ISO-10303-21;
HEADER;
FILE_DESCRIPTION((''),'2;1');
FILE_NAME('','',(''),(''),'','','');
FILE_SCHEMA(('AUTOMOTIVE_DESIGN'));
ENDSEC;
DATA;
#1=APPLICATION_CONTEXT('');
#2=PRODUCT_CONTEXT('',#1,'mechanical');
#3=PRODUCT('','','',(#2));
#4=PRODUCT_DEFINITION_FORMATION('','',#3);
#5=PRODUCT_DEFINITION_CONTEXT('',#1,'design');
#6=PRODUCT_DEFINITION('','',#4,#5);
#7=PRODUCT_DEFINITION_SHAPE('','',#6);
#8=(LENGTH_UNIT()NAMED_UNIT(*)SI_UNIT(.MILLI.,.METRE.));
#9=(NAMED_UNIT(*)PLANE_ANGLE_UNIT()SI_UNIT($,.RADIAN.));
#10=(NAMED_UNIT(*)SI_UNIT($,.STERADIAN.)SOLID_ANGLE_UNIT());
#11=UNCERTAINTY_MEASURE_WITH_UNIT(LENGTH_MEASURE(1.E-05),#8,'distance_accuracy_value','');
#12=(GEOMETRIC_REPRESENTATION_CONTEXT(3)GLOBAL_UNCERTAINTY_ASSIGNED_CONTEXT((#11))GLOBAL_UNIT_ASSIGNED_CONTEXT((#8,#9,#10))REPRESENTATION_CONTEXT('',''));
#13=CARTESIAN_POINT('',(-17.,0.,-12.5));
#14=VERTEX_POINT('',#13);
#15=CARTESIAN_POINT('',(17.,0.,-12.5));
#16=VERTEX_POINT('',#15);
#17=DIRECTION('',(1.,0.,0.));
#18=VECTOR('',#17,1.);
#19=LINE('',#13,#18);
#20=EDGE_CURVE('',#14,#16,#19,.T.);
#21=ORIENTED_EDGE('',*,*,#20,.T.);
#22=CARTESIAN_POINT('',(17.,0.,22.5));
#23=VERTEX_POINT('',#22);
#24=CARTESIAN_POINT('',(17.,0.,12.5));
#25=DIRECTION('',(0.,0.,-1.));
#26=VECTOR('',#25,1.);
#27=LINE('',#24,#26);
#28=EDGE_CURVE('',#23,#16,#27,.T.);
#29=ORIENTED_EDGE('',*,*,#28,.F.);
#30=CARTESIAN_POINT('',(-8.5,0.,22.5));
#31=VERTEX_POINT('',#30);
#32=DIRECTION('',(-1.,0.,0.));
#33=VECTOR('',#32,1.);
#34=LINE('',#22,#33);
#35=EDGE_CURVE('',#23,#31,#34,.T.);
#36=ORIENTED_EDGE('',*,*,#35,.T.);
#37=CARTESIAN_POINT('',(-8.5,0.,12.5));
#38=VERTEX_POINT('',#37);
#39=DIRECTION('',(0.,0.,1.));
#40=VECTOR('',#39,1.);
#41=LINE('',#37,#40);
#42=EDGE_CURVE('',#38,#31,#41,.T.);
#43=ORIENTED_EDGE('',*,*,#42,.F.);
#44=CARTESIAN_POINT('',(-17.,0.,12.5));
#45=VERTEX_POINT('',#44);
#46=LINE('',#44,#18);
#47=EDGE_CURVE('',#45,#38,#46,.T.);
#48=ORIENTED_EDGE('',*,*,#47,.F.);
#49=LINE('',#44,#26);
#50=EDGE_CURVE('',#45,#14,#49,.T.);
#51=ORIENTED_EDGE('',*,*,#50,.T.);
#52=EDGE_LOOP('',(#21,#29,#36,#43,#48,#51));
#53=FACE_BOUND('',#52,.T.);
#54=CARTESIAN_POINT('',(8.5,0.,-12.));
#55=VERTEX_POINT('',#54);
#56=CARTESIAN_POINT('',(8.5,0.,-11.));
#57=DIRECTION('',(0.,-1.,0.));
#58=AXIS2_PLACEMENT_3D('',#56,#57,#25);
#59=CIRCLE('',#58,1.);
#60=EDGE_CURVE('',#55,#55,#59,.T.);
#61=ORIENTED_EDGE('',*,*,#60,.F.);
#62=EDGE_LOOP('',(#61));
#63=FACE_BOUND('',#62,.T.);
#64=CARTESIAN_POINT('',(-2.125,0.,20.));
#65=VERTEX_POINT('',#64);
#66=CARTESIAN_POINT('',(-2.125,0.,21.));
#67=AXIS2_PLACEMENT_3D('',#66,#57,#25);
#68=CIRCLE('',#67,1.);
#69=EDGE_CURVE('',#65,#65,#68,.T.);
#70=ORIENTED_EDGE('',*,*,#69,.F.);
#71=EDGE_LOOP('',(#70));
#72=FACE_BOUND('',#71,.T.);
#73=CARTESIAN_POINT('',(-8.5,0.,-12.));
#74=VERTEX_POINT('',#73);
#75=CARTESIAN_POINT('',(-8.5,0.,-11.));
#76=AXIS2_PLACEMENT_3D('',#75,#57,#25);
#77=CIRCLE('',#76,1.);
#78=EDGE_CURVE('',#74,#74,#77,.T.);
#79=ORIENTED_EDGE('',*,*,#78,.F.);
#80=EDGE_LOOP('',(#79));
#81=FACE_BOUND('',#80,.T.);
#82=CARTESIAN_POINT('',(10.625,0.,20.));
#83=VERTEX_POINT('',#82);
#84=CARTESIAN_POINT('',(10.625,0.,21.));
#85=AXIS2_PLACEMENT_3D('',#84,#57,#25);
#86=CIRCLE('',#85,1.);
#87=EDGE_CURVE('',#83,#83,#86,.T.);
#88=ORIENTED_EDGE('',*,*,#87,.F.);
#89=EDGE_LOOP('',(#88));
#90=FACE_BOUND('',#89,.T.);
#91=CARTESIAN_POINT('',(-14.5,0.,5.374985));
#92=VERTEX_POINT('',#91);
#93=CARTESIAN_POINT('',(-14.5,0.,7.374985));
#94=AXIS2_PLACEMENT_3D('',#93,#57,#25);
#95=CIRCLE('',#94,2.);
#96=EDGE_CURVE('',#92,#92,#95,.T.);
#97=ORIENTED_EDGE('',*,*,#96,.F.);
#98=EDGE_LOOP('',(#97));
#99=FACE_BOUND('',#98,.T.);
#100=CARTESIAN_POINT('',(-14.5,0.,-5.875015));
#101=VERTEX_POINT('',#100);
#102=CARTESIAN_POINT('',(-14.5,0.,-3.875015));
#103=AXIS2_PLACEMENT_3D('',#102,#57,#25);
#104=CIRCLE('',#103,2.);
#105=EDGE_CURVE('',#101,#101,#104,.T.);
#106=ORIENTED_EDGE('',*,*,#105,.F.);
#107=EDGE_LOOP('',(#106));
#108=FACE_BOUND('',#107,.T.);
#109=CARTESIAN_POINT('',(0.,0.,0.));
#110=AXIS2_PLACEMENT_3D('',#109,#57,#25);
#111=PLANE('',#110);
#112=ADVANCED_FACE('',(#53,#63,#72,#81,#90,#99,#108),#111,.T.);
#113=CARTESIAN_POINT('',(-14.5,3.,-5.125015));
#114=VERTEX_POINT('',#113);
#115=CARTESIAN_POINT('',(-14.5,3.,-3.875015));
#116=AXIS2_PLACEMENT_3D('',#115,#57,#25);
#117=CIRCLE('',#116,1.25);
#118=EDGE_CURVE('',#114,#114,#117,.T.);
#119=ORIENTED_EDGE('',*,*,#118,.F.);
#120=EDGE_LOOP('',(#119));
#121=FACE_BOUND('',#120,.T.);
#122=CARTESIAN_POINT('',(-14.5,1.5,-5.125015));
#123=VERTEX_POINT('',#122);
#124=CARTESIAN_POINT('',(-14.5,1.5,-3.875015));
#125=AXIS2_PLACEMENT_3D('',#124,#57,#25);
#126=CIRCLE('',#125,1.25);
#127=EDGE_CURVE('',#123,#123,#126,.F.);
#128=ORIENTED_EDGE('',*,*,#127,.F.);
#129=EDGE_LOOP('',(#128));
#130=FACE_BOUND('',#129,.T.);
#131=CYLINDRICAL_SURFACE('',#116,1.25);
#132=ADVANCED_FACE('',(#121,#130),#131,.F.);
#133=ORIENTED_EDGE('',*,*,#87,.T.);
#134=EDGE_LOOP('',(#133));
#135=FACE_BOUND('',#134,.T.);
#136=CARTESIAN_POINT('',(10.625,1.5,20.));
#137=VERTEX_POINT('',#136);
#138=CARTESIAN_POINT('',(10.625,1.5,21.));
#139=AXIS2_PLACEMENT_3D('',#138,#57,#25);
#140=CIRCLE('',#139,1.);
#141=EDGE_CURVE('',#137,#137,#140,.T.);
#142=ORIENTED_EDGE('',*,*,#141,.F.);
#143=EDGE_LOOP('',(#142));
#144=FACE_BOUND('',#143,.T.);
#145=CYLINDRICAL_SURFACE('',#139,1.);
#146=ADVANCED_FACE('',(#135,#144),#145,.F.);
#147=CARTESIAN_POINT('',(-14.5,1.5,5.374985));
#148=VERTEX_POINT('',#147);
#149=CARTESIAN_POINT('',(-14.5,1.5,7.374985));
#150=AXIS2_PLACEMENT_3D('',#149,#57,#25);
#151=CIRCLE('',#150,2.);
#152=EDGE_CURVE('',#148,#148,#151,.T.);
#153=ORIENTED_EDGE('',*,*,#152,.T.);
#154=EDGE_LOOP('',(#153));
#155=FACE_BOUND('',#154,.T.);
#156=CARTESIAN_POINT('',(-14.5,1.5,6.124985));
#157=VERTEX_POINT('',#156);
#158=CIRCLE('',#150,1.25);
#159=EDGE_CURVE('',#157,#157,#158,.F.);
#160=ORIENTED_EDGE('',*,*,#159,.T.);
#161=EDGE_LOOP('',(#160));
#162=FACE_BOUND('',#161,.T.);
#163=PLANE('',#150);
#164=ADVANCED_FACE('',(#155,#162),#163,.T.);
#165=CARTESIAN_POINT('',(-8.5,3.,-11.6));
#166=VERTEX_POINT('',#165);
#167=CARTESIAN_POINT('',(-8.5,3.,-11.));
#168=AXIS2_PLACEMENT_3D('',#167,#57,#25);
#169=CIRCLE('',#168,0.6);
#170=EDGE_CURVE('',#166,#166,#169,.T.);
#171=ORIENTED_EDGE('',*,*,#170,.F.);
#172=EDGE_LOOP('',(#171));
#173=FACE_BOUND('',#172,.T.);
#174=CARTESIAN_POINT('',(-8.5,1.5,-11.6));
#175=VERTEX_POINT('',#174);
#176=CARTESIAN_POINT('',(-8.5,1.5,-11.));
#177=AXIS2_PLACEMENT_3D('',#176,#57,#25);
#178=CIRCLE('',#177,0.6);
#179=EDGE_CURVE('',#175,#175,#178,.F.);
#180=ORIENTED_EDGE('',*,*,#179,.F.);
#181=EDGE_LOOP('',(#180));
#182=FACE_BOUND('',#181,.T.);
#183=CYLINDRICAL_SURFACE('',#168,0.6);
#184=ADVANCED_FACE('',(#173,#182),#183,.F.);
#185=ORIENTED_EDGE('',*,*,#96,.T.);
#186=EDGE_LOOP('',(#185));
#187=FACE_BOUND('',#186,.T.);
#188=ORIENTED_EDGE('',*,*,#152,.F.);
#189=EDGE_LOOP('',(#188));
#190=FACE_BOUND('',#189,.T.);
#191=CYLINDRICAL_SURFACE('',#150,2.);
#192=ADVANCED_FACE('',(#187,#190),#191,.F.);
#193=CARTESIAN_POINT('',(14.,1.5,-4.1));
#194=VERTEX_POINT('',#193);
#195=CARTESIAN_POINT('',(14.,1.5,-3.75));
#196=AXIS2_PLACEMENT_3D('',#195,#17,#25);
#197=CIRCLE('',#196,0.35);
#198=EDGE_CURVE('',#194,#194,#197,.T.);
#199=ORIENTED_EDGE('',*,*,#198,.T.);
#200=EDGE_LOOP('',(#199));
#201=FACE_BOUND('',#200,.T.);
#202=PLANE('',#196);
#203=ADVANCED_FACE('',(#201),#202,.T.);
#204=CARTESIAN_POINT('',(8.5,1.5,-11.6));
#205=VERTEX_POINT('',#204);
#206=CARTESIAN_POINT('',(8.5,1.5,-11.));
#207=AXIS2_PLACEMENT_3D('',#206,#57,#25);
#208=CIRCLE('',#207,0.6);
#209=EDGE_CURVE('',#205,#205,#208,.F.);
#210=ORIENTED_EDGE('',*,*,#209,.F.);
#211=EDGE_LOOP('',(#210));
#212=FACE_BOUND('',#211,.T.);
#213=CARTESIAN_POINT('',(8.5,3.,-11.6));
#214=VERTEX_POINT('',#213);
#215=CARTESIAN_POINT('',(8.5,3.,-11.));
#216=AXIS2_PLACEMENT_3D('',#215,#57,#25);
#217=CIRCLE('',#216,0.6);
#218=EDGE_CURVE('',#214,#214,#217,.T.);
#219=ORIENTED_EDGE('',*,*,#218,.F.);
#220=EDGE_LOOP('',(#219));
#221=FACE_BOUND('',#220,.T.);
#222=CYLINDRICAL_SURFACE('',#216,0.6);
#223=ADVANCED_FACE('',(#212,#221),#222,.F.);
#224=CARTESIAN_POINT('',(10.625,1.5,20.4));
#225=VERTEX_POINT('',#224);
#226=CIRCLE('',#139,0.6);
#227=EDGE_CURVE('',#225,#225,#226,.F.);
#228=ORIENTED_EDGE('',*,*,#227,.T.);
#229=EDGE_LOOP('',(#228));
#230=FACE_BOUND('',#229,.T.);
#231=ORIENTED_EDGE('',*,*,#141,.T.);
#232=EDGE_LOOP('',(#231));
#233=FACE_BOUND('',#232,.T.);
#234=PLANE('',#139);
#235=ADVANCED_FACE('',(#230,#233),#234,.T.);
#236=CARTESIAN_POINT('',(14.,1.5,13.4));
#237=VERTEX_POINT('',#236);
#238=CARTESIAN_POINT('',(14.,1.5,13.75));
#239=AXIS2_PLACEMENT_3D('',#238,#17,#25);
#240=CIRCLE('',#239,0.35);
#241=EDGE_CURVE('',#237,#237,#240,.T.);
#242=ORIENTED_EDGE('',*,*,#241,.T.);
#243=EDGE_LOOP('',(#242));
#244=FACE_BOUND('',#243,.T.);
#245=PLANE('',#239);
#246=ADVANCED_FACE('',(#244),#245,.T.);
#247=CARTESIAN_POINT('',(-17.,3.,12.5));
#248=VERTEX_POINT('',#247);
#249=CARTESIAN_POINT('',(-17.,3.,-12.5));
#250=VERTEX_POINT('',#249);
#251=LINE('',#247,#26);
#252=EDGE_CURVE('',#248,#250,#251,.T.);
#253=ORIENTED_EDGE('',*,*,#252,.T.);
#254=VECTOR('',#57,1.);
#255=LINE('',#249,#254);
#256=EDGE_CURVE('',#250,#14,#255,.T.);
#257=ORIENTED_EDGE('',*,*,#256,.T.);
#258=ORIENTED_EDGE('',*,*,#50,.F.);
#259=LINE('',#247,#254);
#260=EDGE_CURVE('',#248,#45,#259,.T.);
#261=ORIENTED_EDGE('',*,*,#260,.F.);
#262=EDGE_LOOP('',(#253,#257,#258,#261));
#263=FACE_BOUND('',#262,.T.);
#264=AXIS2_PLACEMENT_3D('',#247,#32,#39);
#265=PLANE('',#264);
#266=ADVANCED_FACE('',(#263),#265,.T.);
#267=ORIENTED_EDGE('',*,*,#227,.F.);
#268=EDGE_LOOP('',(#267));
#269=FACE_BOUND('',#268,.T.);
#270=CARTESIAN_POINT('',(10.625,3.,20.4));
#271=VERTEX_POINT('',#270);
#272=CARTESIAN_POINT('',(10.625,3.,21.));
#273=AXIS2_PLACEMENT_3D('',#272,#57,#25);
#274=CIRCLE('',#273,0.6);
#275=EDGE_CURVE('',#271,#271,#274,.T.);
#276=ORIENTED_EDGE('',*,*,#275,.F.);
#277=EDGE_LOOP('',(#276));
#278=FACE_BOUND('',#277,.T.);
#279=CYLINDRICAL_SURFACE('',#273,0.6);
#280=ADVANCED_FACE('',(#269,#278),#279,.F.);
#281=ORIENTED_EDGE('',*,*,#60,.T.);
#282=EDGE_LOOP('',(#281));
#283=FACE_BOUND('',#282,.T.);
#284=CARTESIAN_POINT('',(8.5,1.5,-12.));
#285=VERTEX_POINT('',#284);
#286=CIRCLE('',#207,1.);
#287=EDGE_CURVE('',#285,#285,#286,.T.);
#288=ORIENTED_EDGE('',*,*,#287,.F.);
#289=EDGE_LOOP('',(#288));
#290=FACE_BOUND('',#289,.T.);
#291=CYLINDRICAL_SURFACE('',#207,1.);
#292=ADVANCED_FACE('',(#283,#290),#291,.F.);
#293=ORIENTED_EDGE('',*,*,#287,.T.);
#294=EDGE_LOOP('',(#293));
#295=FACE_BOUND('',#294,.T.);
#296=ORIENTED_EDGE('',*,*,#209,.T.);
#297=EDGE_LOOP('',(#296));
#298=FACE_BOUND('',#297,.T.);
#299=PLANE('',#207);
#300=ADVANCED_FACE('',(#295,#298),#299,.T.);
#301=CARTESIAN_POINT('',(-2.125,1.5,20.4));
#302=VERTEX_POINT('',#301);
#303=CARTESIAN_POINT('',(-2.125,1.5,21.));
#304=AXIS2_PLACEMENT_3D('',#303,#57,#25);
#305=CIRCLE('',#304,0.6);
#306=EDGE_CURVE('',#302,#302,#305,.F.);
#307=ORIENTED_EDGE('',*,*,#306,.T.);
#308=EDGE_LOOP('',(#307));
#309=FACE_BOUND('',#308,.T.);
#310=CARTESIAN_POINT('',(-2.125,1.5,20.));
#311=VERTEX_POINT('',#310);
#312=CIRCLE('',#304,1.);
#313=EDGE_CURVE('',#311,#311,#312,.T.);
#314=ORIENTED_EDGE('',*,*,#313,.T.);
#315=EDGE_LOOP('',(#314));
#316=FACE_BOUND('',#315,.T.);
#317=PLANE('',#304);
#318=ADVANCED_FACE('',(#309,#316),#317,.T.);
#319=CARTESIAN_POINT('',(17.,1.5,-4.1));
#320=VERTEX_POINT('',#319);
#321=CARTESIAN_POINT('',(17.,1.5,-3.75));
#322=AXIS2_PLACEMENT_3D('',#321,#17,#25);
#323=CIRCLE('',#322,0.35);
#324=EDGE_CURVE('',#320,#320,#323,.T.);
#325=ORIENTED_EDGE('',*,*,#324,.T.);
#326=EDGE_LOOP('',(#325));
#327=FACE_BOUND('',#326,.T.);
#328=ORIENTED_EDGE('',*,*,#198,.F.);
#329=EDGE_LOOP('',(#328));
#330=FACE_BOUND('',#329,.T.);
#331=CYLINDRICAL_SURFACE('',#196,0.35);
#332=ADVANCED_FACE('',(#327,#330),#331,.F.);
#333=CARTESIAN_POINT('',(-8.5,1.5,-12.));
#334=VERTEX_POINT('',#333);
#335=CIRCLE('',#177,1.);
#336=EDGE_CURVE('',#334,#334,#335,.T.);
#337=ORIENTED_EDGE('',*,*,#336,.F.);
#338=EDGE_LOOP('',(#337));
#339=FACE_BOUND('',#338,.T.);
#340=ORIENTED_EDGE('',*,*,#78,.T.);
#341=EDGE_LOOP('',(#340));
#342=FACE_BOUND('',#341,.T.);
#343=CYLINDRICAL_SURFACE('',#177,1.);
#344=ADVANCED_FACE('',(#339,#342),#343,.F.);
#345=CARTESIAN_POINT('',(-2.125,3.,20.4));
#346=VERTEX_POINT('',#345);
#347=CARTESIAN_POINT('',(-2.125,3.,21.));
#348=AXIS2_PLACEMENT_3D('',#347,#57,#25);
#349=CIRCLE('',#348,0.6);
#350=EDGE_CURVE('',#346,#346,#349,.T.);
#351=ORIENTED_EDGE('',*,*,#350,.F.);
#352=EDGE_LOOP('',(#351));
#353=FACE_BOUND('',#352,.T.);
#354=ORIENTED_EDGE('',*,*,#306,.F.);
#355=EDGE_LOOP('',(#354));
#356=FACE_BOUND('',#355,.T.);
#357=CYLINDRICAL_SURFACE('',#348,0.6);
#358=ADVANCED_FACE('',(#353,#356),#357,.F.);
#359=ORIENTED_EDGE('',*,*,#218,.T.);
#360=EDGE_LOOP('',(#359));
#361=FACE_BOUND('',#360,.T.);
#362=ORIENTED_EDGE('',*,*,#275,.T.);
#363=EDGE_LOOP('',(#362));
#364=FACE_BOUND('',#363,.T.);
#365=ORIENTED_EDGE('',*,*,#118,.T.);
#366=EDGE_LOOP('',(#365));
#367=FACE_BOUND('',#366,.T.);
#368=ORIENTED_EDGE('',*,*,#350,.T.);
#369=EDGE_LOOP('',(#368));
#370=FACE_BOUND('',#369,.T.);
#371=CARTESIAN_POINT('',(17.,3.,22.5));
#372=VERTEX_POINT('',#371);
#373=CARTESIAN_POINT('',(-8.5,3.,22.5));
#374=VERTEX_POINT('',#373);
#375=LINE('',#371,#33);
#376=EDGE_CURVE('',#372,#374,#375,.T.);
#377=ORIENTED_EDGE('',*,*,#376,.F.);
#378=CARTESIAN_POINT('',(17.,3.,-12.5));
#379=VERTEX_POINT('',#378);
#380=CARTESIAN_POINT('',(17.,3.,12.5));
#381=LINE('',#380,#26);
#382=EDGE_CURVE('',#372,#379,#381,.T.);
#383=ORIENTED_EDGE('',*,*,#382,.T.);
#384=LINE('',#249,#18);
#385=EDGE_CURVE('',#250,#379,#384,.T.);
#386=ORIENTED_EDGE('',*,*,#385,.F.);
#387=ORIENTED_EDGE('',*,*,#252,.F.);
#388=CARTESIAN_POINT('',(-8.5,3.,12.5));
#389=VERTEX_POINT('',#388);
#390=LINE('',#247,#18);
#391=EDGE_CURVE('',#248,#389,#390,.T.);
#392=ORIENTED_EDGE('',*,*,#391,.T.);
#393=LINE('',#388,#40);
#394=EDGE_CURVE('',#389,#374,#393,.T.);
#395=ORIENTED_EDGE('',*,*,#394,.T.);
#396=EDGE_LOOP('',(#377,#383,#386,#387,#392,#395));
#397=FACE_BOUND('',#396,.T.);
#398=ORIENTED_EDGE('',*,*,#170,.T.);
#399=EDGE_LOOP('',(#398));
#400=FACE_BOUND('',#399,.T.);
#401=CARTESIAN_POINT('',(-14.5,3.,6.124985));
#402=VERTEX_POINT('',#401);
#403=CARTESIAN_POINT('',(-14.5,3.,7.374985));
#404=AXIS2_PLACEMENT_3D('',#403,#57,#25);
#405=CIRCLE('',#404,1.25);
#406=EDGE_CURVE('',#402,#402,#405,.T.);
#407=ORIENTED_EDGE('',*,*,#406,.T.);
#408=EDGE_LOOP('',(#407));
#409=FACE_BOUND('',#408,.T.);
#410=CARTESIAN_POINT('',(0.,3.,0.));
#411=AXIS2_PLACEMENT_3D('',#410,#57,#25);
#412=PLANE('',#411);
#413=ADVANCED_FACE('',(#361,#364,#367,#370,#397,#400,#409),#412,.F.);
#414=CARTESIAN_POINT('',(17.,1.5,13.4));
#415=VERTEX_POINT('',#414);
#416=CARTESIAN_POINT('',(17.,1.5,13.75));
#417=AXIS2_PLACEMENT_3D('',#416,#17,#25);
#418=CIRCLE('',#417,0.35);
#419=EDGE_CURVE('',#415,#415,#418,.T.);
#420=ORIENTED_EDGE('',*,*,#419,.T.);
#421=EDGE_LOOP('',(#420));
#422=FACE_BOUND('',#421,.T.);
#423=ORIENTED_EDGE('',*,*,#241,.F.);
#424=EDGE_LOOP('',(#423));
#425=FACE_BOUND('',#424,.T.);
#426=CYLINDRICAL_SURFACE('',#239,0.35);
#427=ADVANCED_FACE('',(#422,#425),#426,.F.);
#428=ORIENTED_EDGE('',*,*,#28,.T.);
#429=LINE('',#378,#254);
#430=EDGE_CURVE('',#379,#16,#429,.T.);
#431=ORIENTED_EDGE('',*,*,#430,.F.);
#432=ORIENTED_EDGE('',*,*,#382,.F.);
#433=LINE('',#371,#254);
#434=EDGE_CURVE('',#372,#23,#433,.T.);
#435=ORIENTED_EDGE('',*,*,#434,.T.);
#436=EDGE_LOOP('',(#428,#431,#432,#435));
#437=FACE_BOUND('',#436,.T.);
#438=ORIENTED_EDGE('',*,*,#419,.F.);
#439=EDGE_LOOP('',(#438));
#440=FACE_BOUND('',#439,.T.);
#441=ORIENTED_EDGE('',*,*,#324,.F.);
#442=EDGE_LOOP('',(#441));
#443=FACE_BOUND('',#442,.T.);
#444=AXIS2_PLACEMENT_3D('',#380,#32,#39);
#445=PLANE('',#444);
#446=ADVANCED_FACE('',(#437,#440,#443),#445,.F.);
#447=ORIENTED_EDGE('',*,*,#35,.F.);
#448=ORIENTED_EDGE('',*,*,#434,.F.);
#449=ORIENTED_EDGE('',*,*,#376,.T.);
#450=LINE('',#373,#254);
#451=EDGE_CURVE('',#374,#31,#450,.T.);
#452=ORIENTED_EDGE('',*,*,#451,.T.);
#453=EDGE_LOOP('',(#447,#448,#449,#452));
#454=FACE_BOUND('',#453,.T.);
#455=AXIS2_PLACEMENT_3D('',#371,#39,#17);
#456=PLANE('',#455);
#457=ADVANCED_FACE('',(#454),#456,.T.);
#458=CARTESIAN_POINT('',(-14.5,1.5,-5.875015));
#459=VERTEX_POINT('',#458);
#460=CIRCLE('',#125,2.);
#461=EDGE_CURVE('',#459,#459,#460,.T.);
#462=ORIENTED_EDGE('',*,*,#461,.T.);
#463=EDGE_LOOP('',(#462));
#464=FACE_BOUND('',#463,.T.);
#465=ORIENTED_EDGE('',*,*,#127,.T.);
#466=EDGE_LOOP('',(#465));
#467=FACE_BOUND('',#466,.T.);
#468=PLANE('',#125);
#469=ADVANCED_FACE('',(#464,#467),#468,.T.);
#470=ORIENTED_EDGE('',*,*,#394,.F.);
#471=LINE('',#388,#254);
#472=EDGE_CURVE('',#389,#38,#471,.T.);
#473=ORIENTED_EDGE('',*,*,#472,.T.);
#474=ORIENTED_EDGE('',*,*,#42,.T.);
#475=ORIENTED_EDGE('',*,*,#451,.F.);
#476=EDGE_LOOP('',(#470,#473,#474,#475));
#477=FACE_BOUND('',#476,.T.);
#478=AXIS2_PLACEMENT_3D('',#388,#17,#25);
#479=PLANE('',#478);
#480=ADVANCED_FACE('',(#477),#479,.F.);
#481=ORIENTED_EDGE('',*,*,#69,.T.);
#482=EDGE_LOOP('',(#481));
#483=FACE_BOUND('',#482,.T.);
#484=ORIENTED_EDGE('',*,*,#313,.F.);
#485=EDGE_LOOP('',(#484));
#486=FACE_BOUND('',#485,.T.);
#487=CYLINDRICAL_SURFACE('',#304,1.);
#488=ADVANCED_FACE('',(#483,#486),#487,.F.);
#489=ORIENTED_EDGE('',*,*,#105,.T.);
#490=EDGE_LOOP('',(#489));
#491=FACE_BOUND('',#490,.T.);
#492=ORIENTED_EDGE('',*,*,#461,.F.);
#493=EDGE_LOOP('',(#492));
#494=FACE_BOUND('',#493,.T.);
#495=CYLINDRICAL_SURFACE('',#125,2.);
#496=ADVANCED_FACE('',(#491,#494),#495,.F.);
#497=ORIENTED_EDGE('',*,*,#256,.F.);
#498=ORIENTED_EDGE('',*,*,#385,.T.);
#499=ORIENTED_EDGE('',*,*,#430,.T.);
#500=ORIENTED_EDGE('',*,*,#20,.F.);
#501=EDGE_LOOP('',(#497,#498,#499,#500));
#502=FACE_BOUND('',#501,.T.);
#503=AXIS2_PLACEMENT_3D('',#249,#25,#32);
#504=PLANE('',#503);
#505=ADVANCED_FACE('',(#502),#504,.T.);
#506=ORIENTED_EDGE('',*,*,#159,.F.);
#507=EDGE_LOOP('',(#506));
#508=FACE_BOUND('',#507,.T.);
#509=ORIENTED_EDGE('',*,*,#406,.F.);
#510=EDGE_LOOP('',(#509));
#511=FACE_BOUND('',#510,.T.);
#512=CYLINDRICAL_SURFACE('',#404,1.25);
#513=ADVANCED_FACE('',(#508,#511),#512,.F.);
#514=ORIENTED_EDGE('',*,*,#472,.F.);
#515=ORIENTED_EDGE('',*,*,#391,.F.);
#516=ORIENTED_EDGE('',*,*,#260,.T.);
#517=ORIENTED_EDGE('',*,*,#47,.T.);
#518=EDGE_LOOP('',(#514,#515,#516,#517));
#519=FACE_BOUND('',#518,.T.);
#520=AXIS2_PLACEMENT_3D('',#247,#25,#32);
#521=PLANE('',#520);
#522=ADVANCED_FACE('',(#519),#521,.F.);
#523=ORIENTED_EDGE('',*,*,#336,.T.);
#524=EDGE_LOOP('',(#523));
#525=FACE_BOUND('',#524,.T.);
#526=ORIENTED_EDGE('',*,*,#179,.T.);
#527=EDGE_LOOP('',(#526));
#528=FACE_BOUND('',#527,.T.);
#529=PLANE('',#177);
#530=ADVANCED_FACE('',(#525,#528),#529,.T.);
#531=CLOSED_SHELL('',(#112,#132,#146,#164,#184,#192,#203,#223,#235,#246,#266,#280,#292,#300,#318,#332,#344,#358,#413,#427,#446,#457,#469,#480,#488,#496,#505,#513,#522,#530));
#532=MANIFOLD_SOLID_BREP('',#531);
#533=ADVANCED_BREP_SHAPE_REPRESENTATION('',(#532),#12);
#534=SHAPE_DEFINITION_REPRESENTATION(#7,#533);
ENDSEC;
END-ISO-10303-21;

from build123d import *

# Parameters (mm, degrees)
SKETCH_1_W          = 25.5
SKETCH_1_H          = 10
EXTRUDE_1_DEPTH     = 3
SKETCH_2_R          = 1.25
SKETCH_2_R_2        = 0.6
CUT_EXTRUDE_1_DEPTH = 29.359301825
SKETCH_2_3_R        = 2
SKETCH_2_3_R_2      = 1
CUT_EXTRUDE_2_DEPTH = 1.5
SKETCH_3_R          = 0.35
CUT_EXTRUDE_3_DEPTH = 3


with BuildPart() as part:
    # 草图1 → 凸台-拉伸1 (new body)
    with BuildSketch(Plane(origin=(0, 0, 0), x_dir=(1, 0, 0), z_dir=(0, 1, 0))):
        Polygon((-17, 12.5), (-17, -12.5), (-8.5, -12.5), (17, -12.5), (17, 12.5), align=None)
        with Locations((4.25, -17.5)):
            Rectangle(SKETCH_1_W, SKETCH_1_H)
    extrude(amount=EXTRUDE_1_DEPTH)

    # 草图2 → 切除-拉伸1 (cut, through all)
    with BuildSketch(Plane(origin=(0, 0, 0), x_dir=(-1, 0, 0), z_dir=(0, -1, 0))):
        with Locations((14.499999998, -7.374985298)):
            Circle(SKETCH_2_R)
        with Locations((14.499999998, 3.875014702)):
            Circle(SKETCH_2_R)
        with Locations((-10.625, -21)):
            Circle(SKETCH_2_R_2)
        with Locations((2.125, -21)):
            Circle(SKETCH_2_R_2)
        with Locations((-8.5, 11)):
            Circle(SKETCH_2_R_2)
        with Locations((8.5, 11)):
            Circle(SKETCH_2_R_2)
    extrude(amount=-CUT_EXTRUDE_1_DEPTH, mode=Mode.SUBTRACT)

    # 草图2<3> → 切除-拉伸2 (cut)
    with BuildSketch(Plane(origin=(0, 0, 0), x_dir=(-1, 0, 0), z_dir=(0, -1, 0))):
        with Locations((14.499999998, 3.875014702)):
            Circle(SKETCH_2_3_R)
        with Locations((14.499999998, -7.374985298)):
            Circle(SKETCH_2_3_R)
        with Locations((-10.625, -21)):
            Circle(SKETCH_2_3_R_2)
        with Locations((2.125, -21)):
            Circle(SKETCH_2_3_R_2)
        with Locations((-8.5, 11)):
            Circle(SKETCH_2_3_R_2)
        with Locations((8.5, 11)):
            Circle(SKETCH_2_3_R_2)
    extrude(amount=-CUT_EXTRUDE_2_DEPTH, mode=Mode.SUBTRACT)

    # 草图3 → 切除-拉伸3 (cut)
    with BuildSketch(Plane(origin=(17, 0, 0), x_dir=(0, 0, -1), z_dir=(1, 0, 0))):
        with Locations((3.75, 1.5)):
            Circle(SKETCH_3_R)
        with Locations((-13.75, 1.5)):
            Circle(SKETCH_3_R)
    extrude(amount=-CUT_EXTRUDE_3_DEPTH, mode=Mode.SUBTRACT)


solid = part.part
